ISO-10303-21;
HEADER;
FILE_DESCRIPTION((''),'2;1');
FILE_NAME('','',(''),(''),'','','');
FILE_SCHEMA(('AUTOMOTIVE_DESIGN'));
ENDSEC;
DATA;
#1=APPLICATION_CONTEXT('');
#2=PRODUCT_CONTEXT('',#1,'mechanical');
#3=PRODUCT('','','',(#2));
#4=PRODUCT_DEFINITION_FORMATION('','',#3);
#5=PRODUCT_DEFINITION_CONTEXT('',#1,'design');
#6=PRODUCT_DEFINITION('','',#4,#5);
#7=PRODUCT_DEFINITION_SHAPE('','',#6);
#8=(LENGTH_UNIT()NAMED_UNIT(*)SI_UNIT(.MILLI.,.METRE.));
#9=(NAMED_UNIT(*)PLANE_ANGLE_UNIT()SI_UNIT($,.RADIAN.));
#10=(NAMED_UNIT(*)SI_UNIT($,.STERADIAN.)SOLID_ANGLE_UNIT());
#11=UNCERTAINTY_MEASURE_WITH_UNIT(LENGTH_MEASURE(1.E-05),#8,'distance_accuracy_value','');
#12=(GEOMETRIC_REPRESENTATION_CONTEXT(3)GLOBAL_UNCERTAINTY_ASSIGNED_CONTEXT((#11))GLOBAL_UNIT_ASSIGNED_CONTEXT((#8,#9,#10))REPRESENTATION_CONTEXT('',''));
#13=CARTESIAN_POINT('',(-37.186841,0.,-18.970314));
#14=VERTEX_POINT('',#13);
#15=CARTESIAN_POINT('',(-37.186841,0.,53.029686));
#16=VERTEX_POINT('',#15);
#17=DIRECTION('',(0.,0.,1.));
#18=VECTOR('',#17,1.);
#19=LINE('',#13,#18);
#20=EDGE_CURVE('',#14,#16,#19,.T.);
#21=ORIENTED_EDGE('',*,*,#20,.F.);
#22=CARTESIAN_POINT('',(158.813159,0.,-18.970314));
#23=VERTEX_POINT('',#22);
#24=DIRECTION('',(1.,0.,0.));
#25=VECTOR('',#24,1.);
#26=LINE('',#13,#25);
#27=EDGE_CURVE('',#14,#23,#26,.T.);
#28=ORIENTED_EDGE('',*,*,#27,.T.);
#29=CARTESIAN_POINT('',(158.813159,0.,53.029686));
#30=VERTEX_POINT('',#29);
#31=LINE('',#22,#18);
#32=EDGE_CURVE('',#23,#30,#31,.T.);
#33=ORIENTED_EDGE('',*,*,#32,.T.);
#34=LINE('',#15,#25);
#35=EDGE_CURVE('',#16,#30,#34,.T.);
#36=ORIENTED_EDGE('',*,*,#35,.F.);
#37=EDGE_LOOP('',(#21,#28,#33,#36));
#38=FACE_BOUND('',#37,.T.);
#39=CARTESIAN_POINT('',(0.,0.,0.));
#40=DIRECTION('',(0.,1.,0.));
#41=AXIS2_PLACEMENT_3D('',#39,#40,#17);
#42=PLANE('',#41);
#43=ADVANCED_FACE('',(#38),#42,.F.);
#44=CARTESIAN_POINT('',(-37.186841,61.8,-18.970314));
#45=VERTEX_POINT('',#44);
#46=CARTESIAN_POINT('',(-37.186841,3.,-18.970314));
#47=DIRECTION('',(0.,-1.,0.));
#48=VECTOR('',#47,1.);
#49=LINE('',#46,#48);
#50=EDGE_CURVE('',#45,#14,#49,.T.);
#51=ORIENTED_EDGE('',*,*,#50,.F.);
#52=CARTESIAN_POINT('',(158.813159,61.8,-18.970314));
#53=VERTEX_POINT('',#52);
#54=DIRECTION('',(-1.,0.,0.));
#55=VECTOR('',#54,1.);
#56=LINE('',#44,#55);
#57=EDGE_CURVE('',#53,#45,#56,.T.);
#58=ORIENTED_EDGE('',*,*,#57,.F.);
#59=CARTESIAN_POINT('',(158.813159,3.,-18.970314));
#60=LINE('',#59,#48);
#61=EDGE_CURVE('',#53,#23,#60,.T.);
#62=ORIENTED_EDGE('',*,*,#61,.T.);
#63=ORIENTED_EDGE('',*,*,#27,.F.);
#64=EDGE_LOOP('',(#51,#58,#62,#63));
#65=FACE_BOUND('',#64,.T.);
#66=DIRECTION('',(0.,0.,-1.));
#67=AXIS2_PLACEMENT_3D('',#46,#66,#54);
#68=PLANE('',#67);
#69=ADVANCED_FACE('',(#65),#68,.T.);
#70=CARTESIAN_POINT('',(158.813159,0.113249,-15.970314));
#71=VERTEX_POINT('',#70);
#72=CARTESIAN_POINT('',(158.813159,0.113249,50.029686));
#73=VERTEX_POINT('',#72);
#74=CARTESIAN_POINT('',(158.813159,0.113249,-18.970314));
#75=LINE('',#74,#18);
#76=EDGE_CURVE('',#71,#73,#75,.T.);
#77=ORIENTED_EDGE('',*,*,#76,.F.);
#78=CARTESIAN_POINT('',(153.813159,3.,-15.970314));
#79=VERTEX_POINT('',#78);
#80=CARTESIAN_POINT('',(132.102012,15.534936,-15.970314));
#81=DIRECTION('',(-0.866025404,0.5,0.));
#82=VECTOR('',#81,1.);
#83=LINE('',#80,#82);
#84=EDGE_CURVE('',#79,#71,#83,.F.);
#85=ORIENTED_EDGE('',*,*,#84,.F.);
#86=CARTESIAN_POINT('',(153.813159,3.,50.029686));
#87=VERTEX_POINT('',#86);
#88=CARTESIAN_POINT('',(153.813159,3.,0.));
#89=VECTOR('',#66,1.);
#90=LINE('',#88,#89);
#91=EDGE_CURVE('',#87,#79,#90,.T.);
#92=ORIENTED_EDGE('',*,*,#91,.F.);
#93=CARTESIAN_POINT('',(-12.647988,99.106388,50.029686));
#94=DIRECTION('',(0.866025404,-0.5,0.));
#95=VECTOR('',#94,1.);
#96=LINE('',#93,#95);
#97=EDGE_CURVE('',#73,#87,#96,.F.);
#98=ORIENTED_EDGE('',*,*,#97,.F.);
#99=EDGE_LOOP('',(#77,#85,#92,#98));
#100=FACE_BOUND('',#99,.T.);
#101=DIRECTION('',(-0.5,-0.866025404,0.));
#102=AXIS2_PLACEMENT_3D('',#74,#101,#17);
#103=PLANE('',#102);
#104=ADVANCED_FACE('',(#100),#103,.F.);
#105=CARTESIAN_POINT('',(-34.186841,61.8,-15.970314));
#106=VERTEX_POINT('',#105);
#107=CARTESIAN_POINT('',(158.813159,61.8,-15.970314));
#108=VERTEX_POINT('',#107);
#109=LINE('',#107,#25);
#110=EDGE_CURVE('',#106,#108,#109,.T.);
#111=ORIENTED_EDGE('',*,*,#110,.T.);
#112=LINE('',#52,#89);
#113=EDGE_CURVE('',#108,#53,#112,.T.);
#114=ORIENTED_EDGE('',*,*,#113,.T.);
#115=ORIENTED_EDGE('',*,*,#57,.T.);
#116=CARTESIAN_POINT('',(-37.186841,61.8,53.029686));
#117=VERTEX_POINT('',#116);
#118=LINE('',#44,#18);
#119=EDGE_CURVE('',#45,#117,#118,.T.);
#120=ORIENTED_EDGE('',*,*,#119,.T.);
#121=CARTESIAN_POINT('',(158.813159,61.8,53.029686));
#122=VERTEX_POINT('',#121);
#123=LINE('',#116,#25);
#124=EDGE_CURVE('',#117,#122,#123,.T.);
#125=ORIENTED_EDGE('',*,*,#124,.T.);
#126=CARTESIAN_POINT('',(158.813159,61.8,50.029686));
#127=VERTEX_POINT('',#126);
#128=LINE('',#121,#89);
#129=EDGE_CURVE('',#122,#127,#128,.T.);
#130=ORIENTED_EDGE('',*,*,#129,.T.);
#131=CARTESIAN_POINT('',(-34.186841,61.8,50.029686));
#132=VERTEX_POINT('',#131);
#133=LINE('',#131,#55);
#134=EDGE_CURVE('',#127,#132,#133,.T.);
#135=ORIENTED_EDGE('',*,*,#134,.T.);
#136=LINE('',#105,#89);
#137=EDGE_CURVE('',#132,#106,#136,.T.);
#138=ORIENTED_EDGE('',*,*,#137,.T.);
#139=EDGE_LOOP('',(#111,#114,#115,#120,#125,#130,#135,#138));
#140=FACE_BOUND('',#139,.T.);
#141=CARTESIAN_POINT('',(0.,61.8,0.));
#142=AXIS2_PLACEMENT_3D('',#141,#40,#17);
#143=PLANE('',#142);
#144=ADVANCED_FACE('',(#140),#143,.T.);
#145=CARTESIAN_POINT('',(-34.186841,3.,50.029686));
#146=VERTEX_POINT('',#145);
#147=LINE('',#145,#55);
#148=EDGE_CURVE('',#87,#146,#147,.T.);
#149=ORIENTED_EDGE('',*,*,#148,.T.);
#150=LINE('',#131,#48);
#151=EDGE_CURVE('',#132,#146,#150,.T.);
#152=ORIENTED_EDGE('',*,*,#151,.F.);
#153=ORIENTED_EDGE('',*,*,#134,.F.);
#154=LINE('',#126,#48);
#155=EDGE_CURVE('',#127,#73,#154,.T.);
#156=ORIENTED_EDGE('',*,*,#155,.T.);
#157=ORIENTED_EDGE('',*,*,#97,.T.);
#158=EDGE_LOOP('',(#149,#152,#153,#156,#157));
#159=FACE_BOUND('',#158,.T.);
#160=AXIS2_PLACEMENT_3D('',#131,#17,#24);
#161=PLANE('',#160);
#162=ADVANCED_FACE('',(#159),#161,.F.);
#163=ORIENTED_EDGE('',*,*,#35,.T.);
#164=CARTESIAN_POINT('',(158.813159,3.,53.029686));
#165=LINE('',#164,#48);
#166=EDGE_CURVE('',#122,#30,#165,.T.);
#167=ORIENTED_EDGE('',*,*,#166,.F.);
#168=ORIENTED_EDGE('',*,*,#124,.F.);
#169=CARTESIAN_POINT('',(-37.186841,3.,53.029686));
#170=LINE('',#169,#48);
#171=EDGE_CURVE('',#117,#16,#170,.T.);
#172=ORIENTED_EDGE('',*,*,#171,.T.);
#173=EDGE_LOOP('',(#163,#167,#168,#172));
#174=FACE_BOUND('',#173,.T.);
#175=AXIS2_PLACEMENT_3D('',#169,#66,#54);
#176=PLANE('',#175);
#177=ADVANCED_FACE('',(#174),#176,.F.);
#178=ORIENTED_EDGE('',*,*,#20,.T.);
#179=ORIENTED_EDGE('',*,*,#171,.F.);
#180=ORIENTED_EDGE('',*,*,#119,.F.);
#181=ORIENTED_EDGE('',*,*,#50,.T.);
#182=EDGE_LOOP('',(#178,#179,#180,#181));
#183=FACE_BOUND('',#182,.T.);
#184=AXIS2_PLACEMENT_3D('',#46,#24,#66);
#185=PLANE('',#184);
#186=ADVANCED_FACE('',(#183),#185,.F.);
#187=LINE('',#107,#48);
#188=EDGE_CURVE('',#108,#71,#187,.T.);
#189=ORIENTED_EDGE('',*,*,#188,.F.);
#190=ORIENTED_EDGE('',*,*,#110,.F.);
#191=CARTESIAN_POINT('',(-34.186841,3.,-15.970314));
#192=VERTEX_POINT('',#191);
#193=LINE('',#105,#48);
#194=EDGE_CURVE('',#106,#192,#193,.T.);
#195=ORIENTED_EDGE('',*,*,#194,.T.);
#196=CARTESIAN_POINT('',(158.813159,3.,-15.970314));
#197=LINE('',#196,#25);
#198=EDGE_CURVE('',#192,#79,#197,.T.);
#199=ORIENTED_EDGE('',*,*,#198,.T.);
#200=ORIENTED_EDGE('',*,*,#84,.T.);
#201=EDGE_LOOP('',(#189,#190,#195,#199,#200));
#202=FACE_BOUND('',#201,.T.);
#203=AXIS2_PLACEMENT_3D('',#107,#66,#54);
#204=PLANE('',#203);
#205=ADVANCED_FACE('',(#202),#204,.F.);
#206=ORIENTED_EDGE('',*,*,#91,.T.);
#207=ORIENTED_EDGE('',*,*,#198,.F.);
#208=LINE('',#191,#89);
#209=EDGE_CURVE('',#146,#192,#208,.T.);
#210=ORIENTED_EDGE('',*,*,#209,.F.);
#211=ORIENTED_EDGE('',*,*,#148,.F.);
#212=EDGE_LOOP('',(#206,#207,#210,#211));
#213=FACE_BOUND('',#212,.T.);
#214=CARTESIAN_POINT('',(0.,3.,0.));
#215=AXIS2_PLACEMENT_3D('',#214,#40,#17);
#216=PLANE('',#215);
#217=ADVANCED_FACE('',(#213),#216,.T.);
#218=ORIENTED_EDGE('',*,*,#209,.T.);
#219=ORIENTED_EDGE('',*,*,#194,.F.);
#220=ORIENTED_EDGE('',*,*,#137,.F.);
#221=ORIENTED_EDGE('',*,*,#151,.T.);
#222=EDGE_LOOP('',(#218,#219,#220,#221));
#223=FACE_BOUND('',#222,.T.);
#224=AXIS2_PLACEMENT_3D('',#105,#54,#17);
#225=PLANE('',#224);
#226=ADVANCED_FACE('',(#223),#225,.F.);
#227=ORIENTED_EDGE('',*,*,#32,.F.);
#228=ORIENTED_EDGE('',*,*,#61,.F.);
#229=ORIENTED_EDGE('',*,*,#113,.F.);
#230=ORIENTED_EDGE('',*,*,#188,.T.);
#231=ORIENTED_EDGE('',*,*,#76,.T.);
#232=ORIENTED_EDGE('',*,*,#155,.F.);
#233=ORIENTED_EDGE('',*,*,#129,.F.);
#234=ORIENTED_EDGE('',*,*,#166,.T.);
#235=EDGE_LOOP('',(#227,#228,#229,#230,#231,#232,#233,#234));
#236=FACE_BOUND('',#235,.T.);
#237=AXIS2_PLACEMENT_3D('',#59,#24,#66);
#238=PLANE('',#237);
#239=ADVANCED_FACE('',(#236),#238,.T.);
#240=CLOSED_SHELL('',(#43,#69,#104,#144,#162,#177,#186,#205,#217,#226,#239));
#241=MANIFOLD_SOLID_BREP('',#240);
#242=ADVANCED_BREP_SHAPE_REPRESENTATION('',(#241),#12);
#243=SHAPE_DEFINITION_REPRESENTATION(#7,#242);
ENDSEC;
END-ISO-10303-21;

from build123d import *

# Parameters (mm, degrees)
ESQUISSE1_W        = 196
ESQUISSE1_H        = 72
BOSS_EXTRU_1_DEPTH = 3
BOSS_EXTRU_2_DEPTH = 58.8
CHANFREIN1_SIZE    = 2.886751346
CHANFREIN1_SIZE2   = 5


with BuildPart() as part:
    # Esquisse1 → Boss.-Extru.1 (new body)
    with BuildSketch(Plane(origin=(0, 0, 0), x_dir=(1, 0, 0), z_dir=(0, 1, 0))):
        with Locations((60.813158837, -17.029685758)):
            Rectangle(ESQUISSE1_W, ESQUISSE1_H)
    extrude(amount=BOSS_EXTRU_1_DEPTH)

    # Esquisse2 → Boss.-Extru.2 (add)
    with BuildSketch(Plane(origin=(0, 3, 0), x_dir=(1, 0, 0), z_dir=(0, 1, 0))):
        Polygon((-37.186841163, 18.970314242), (158.813158837, 18.970314242), (158.813158837, 15.970314242), (-34.186841163, 15.970314242), (-34.186841163, -50.029685758), (158.813158837, -50.029685758), (158.813158837, -53.029685758), (-37.186841163, -53.029685758), align=None)
    extrude(amount=BOSS_EXTRU_2_DEPTH)

    # Chanfrein1
    chanfrein1_edges = [part.edges().sort_by_distance(p)[0] for p in [
        (158.813158837, 3, 17.029685758),
    ]]
    chanfrein1_side = [part.faces().sort_by_distance(p)[0] for p in [
        (158.813158837, 30.9, -18.021460196),
    ]]
    chamfer(chanfrein1_edges, length=CHANFREIN1_SIZE, length2=CHANFREIN1_SIZE2, reference=chanfrein1_side[0])


solid = part.part
